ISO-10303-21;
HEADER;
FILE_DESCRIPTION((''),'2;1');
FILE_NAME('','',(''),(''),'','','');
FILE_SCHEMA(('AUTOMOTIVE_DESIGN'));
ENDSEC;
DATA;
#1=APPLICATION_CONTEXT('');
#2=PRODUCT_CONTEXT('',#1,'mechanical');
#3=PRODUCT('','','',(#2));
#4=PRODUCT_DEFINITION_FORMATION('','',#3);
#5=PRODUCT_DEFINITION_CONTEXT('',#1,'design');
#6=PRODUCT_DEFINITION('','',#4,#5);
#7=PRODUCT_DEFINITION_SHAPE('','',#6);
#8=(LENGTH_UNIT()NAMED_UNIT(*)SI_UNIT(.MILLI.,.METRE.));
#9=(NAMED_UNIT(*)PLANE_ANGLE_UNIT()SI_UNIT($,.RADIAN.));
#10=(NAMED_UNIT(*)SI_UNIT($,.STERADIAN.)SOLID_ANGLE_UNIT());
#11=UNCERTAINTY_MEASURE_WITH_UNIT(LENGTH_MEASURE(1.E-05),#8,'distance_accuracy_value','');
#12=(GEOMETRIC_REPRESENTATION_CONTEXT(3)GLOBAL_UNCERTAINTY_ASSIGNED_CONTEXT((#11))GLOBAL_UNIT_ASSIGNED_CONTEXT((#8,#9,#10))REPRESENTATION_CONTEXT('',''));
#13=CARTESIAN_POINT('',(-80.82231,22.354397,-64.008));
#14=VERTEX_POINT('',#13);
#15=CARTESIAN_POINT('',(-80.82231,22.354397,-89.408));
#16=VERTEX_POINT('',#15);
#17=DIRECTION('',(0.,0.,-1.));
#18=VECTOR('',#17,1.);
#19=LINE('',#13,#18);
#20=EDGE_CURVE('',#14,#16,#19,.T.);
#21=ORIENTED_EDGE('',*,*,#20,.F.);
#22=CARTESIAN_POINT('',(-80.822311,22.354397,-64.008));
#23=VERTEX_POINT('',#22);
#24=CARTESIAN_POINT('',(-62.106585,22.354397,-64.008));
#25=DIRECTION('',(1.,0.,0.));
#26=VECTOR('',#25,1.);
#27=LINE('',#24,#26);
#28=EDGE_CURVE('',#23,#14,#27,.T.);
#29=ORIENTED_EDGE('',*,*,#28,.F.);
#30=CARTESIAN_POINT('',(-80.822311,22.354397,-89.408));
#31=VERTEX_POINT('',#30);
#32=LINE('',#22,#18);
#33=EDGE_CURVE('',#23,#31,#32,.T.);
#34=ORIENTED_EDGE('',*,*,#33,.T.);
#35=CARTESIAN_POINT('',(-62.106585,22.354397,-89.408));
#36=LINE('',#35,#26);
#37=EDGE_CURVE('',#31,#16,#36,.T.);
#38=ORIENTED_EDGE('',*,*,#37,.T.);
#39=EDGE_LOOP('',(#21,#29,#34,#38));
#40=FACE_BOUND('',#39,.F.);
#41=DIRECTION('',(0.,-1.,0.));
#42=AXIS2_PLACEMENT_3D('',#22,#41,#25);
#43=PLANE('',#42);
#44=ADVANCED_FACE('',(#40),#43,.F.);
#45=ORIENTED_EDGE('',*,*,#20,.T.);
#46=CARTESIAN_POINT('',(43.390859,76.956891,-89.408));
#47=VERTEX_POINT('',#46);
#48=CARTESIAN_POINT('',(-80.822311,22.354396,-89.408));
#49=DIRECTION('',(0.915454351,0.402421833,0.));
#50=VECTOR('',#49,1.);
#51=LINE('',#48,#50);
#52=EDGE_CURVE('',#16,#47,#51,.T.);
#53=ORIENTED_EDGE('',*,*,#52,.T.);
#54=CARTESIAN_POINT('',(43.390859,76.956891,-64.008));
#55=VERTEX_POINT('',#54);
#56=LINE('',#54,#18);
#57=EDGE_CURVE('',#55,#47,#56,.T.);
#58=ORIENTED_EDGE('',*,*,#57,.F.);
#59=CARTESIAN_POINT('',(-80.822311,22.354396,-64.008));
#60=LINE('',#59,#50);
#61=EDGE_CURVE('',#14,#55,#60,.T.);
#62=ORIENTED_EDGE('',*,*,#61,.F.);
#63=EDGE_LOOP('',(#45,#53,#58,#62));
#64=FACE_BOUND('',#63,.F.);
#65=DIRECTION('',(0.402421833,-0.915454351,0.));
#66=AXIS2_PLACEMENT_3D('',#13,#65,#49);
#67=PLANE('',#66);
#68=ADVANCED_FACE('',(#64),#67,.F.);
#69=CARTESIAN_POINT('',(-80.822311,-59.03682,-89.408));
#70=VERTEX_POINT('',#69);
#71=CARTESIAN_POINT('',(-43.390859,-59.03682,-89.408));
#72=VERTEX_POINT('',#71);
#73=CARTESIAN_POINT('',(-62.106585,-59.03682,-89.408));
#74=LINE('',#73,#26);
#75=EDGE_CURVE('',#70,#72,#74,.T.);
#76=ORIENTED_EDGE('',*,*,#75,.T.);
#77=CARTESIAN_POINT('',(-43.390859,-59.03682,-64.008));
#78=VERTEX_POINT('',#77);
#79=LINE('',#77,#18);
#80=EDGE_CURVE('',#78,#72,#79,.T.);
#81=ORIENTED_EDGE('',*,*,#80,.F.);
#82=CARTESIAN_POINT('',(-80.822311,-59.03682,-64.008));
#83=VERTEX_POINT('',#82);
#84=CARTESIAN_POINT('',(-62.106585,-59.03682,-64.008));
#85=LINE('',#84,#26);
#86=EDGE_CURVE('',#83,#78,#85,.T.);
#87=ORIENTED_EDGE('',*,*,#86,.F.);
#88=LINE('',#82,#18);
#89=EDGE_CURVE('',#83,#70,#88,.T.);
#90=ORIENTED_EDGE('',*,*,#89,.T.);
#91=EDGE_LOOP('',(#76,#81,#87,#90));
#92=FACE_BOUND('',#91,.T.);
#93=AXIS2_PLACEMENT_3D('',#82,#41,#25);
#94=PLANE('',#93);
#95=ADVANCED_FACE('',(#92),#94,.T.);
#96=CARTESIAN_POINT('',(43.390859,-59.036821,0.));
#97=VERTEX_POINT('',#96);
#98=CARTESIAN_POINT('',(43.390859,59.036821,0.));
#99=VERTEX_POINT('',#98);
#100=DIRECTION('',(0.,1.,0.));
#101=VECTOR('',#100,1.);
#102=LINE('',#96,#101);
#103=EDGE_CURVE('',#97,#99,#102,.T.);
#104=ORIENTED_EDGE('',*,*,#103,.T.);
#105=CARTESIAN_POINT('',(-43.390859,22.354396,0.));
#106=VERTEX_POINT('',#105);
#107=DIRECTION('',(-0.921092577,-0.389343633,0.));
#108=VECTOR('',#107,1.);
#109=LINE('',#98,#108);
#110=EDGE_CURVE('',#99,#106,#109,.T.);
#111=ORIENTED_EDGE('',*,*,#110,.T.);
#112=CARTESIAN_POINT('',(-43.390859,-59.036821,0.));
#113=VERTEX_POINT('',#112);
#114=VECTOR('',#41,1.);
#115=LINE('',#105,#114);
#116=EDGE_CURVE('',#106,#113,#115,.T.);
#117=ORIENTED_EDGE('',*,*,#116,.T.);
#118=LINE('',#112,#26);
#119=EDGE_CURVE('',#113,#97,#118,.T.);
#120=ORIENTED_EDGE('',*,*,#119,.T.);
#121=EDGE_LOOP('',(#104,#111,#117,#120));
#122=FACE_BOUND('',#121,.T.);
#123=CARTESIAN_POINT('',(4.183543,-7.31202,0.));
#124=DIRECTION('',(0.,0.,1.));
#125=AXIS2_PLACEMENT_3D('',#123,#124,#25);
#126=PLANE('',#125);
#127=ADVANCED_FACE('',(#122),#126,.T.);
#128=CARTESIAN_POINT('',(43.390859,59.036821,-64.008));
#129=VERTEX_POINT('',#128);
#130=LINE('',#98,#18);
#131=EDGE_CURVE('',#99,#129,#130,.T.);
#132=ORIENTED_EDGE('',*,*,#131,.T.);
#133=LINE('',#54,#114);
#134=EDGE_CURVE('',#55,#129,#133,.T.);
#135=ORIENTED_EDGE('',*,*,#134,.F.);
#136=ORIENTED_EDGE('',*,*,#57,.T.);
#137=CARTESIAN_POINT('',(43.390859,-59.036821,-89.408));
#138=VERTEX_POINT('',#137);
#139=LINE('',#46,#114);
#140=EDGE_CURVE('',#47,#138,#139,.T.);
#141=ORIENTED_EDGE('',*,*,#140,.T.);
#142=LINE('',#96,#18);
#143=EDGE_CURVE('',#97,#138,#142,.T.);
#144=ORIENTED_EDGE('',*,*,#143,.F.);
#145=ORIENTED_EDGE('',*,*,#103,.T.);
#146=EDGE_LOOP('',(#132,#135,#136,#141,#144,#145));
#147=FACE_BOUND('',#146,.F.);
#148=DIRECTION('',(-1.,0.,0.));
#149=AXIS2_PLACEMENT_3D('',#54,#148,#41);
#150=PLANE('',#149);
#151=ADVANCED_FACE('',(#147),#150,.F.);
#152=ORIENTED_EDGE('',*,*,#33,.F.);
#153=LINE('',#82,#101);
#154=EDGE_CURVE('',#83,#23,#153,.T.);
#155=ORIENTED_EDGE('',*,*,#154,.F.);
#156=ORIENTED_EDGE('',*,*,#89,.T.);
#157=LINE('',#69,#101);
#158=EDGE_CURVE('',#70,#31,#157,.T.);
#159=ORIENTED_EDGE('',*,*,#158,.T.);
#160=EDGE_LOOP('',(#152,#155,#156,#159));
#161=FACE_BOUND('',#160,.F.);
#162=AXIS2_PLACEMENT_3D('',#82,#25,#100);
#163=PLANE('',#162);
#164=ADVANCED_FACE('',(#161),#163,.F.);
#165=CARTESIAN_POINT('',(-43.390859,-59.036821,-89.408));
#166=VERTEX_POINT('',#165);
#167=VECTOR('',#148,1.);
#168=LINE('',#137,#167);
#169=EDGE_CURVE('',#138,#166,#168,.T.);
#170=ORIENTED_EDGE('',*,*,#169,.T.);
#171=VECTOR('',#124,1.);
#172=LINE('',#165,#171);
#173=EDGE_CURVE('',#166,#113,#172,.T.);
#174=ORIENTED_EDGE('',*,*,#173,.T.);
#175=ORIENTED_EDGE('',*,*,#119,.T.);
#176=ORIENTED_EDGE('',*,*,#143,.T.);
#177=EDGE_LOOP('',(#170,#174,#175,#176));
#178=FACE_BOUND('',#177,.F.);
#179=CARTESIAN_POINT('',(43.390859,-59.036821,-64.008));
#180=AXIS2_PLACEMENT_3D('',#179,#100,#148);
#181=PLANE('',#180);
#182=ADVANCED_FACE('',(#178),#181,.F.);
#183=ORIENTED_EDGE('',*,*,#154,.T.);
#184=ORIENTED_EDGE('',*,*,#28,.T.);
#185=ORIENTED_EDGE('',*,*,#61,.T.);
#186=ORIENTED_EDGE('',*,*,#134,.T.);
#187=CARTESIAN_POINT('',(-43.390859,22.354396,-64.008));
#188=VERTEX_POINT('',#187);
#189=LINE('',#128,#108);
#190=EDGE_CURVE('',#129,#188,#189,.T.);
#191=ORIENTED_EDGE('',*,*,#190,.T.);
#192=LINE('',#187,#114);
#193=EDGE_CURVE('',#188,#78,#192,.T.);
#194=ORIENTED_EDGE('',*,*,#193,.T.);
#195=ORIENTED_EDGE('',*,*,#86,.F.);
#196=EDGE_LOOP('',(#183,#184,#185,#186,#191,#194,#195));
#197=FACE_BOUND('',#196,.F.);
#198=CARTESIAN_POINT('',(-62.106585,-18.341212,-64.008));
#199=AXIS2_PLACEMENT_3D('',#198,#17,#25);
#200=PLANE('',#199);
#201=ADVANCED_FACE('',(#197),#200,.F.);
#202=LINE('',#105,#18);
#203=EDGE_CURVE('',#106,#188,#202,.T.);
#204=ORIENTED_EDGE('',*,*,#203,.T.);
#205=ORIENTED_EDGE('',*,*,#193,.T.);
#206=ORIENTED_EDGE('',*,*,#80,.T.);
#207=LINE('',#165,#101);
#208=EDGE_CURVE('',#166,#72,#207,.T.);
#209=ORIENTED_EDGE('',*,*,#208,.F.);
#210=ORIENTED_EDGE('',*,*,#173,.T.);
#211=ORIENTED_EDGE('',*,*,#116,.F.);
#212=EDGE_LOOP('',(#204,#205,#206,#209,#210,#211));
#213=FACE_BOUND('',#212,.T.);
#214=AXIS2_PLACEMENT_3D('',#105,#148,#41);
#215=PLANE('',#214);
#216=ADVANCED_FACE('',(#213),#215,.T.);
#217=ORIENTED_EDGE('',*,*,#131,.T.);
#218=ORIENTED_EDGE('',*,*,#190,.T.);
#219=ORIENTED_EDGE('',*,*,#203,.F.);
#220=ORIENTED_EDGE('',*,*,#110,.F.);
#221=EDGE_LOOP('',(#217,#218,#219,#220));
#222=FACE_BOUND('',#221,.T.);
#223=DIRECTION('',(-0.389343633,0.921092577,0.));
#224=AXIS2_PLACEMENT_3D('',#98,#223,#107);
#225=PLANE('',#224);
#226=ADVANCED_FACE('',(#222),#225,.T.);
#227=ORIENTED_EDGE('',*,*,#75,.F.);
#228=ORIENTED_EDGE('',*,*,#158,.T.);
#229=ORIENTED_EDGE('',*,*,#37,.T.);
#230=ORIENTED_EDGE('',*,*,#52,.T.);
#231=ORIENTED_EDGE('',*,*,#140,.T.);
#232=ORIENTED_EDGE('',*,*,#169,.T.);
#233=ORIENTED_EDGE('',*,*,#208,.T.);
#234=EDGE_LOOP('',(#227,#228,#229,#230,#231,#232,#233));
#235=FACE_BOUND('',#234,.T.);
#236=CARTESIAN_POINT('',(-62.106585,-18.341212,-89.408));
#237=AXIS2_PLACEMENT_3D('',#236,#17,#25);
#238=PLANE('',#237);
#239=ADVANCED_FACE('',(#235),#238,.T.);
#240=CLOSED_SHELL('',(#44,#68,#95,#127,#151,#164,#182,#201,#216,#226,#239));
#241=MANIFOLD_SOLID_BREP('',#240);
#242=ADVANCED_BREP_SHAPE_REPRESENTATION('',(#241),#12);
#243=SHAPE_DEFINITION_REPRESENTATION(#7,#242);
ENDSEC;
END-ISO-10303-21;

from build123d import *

# Parameters (mm, degrees)
F1_DEPTH = 64.008
F2_W     = 37.431452
F2_H     = 81.391217
F3_DEPTH = 25.4


with BuildPart() as f1:
    # F0 (on Top) → F1 (new body)
    with BuildSketch(Plane.XY):
        Polygon((-43.390859, 22.354396), (-43.390859, -59.036821), (43.390859, -59.036821), (43.390859, 59.036821), align=None)
    extrude(amount=-F1_DEPTH)

    # F2 (on face) → F3 (join)
    with BuildSketch(Plane(origin=(0, 0, -64.008), x_dir=(1, 0, 0), z_dir=(0, 0, -1))):
        with Locations((-62.106585, 18.341212)):
            Rectangle(F2_W, F2_H)
        Polygon((43.390859, -59.036821), (-43.390859, -22.354396), (-80.822311, -22.354396), (43.390859, -76.956891), align=None)
        Polygon((-43.390859, 59.036821), (-43.390859, -22.354396), (43.390859, -59.036821), (43.390859, 59.036821), align=None)
    extrude(amount=F3_DEPTH)


solid = f1.part
